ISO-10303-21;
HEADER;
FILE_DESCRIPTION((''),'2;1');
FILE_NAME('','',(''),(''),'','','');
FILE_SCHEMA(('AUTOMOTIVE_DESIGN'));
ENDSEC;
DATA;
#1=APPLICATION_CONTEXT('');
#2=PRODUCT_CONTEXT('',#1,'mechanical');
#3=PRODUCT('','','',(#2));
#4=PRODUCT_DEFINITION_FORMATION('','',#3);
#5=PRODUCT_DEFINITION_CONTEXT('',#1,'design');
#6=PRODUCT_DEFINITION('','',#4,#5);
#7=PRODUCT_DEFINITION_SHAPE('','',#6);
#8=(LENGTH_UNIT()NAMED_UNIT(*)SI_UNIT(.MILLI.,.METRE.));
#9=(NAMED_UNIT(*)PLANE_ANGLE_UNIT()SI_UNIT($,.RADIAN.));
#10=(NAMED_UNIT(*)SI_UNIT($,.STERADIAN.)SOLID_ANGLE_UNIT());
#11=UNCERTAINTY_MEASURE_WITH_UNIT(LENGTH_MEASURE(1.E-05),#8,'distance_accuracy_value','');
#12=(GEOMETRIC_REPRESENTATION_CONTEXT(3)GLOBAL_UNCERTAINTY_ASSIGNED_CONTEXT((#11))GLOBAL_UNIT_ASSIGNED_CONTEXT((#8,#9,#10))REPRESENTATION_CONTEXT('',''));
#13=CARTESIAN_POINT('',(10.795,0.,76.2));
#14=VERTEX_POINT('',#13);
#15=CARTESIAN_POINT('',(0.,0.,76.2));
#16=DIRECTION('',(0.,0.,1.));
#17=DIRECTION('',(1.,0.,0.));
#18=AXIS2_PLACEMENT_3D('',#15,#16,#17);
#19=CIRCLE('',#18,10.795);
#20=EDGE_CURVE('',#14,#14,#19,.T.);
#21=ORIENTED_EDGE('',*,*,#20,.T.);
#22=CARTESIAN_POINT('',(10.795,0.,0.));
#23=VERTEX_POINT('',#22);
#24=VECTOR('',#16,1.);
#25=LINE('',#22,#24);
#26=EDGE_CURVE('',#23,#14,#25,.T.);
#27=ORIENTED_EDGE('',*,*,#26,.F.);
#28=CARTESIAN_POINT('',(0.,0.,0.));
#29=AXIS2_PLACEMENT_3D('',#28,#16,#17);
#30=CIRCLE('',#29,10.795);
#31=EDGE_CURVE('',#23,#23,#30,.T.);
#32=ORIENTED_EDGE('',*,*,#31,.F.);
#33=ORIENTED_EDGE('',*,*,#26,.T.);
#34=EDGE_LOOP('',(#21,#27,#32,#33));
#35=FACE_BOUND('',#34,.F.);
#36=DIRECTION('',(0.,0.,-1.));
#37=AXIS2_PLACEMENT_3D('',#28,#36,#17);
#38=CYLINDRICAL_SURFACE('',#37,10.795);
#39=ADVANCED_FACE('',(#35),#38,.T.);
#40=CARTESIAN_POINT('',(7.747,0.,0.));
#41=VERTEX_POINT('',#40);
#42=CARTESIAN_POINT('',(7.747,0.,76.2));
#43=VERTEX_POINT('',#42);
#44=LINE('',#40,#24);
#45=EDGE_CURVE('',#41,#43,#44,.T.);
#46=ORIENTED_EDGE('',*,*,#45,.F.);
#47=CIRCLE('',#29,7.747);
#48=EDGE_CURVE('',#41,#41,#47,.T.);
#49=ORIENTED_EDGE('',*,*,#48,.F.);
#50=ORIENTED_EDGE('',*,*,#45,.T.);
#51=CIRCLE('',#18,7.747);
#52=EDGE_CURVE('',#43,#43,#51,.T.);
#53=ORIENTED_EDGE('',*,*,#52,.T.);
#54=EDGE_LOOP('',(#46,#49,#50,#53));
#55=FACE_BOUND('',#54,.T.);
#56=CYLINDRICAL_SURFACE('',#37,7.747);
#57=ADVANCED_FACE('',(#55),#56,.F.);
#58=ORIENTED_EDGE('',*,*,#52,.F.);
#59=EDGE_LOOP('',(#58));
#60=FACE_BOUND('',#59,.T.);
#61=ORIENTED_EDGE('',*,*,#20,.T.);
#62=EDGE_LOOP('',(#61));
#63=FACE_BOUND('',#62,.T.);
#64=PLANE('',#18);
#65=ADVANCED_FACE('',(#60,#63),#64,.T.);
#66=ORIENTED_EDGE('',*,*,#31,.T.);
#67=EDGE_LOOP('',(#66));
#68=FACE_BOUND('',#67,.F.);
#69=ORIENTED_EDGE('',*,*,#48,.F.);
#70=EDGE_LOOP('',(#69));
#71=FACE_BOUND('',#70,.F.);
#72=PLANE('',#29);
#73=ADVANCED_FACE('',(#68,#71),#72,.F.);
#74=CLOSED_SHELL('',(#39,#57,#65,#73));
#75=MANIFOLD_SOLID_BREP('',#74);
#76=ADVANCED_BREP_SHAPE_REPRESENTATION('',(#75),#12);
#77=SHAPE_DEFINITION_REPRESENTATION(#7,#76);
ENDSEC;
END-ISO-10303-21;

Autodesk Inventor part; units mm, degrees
ref_plane "YZ Plane" through (0, 0, 0) normal (1, 0, 0) x (0, 1, 0)
ref_plane "XZ Plane" through (0, 0, 0) normal (0, 1, 0) x (-1, 0, 0)
ref_plane "XY Plane" through (0, 0, 0) normal (0, 0, 1) x (1, 0, 0)
sketch "Sketch1" plane through (0, 0, 0) normal (0, 0, 1) x (1, 0, 0)
  circle A0 centre (0, 0) radius 7.747
  circle A1 centre (0, 0) radius 10.795
  dimension "d0" = 21.59
  dimension "d2" = 15.494
extrude "Extrusion1" add sketch "Sketch1" along normal blind 76.2
properties part number "3 Pipe" material "PVC-Piping"
